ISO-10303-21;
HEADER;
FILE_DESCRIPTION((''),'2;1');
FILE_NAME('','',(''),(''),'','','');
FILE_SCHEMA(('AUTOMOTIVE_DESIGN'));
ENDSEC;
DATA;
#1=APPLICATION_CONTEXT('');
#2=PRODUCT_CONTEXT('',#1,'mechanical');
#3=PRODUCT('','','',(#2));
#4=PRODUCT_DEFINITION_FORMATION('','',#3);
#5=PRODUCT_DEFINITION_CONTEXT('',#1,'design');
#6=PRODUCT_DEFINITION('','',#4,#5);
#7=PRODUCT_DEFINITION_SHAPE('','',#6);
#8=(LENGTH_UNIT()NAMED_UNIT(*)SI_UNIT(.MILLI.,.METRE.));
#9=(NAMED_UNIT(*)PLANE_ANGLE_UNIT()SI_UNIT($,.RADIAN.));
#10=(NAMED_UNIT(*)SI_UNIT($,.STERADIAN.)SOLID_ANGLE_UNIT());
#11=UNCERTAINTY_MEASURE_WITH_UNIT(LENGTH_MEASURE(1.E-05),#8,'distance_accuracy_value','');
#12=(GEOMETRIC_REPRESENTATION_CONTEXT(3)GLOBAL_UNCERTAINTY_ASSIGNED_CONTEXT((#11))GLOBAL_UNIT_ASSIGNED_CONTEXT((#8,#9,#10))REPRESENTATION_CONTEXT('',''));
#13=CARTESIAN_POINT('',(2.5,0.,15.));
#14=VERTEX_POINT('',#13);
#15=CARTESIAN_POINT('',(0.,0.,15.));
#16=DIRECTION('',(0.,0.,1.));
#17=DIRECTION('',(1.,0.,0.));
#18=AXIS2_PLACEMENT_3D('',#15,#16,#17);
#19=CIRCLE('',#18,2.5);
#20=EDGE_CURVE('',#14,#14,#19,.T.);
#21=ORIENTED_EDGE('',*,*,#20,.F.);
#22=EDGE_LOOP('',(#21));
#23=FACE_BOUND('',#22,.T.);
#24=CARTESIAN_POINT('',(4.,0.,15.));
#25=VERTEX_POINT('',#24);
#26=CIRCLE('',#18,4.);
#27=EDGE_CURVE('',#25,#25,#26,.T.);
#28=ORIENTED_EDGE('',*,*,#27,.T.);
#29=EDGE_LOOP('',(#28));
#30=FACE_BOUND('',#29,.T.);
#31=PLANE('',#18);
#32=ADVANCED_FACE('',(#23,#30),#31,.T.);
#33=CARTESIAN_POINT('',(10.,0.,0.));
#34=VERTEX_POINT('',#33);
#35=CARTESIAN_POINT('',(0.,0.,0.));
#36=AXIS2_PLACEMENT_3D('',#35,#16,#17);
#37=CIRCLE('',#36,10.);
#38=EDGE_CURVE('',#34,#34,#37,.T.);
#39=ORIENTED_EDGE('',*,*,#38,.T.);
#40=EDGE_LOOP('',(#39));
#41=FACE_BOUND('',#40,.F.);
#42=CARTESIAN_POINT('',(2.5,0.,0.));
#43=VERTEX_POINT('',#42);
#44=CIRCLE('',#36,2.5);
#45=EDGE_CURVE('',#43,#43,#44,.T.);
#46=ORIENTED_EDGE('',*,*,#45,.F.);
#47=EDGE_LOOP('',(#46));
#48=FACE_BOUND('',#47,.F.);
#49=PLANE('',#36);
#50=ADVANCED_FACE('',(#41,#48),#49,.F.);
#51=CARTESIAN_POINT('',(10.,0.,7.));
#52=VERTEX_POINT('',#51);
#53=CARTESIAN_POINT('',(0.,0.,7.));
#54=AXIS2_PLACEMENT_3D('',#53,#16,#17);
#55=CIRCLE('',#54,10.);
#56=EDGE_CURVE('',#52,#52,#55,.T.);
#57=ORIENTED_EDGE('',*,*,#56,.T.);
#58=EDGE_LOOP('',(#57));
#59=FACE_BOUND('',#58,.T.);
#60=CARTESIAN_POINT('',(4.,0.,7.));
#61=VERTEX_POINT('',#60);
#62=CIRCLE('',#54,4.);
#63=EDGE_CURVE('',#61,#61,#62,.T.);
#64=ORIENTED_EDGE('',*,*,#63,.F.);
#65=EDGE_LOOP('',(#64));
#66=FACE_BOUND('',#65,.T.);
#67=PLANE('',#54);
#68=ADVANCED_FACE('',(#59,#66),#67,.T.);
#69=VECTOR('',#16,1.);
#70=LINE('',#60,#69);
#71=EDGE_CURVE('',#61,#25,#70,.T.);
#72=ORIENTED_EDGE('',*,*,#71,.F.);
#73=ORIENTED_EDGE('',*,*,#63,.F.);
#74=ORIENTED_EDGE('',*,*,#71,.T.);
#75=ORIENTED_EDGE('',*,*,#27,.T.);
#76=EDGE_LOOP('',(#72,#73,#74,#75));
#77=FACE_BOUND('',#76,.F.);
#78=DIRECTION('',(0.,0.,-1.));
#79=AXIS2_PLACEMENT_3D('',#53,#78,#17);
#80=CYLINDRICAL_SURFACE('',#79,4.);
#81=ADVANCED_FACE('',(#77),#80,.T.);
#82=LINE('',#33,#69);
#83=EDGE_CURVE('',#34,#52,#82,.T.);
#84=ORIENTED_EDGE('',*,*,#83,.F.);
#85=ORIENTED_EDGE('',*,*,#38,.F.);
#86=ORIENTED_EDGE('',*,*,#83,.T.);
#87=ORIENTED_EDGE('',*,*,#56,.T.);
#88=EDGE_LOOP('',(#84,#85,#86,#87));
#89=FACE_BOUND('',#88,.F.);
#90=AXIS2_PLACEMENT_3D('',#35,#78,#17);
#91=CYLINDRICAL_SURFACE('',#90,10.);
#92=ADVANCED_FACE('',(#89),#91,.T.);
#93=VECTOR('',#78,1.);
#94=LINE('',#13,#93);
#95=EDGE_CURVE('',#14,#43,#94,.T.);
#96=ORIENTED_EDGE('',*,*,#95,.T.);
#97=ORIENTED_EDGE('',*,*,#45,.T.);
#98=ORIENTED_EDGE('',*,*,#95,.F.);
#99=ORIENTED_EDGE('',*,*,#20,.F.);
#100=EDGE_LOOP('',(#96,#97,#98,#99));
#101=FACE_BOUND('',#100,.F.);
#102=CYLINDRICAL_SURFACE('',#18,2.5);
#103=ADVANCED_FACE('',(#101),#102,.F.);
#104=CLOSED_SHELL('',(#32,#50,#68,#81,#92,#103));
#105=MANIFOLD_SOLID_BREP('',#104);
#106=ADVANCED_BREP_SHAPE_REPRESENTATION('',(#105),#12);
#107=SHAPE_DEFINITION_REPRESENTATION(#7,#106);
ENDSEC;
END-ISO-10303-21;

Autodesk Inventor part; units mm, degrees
ref_plane "YZ Plane" through (0, 0, 0) normal (1, 0, 0) x (0, 1, 0)
ref_plane "XZ Plane" through (0, 0, 0) normal (0, 1, 0) x (-1, 0, 0)
ref_plane "XY Plane" through (0, 0, 0) normal (0, 0, 1) x (1, 0, 0)
sketch "Esquisse1" plane through (0, 0, 0) normal (0, 0, 1) x (1, 0, 0)
  circle A0 centre (0, 0) radius 10
  dimension "d0" = 20
extrude "Extrusion1" add sketch "Esquisse1" along normal blind 7
sketch "Esquisse5" plane through (0, 0, 7) normal (0, 0, 1) x (1, 0, 0)
  circle A0 centre (0, 0) radius 4
  dimension "d12" = 8
extrude "Extrusion5" add sketch "Esquisse5" along normal blind 8
sketch "Esquisse6" plane through (0, 0, 15) normal (0, 0, 1) x (1, 0, 0)
  circle A0 centre (0, 0) radius 2.5
  dimension "d15" = 5
extrude "Extrusion6" cut sketch "Esquisse6" against normal blind 15
properties part number "Forearm rotation" material "Plastique ABS"
